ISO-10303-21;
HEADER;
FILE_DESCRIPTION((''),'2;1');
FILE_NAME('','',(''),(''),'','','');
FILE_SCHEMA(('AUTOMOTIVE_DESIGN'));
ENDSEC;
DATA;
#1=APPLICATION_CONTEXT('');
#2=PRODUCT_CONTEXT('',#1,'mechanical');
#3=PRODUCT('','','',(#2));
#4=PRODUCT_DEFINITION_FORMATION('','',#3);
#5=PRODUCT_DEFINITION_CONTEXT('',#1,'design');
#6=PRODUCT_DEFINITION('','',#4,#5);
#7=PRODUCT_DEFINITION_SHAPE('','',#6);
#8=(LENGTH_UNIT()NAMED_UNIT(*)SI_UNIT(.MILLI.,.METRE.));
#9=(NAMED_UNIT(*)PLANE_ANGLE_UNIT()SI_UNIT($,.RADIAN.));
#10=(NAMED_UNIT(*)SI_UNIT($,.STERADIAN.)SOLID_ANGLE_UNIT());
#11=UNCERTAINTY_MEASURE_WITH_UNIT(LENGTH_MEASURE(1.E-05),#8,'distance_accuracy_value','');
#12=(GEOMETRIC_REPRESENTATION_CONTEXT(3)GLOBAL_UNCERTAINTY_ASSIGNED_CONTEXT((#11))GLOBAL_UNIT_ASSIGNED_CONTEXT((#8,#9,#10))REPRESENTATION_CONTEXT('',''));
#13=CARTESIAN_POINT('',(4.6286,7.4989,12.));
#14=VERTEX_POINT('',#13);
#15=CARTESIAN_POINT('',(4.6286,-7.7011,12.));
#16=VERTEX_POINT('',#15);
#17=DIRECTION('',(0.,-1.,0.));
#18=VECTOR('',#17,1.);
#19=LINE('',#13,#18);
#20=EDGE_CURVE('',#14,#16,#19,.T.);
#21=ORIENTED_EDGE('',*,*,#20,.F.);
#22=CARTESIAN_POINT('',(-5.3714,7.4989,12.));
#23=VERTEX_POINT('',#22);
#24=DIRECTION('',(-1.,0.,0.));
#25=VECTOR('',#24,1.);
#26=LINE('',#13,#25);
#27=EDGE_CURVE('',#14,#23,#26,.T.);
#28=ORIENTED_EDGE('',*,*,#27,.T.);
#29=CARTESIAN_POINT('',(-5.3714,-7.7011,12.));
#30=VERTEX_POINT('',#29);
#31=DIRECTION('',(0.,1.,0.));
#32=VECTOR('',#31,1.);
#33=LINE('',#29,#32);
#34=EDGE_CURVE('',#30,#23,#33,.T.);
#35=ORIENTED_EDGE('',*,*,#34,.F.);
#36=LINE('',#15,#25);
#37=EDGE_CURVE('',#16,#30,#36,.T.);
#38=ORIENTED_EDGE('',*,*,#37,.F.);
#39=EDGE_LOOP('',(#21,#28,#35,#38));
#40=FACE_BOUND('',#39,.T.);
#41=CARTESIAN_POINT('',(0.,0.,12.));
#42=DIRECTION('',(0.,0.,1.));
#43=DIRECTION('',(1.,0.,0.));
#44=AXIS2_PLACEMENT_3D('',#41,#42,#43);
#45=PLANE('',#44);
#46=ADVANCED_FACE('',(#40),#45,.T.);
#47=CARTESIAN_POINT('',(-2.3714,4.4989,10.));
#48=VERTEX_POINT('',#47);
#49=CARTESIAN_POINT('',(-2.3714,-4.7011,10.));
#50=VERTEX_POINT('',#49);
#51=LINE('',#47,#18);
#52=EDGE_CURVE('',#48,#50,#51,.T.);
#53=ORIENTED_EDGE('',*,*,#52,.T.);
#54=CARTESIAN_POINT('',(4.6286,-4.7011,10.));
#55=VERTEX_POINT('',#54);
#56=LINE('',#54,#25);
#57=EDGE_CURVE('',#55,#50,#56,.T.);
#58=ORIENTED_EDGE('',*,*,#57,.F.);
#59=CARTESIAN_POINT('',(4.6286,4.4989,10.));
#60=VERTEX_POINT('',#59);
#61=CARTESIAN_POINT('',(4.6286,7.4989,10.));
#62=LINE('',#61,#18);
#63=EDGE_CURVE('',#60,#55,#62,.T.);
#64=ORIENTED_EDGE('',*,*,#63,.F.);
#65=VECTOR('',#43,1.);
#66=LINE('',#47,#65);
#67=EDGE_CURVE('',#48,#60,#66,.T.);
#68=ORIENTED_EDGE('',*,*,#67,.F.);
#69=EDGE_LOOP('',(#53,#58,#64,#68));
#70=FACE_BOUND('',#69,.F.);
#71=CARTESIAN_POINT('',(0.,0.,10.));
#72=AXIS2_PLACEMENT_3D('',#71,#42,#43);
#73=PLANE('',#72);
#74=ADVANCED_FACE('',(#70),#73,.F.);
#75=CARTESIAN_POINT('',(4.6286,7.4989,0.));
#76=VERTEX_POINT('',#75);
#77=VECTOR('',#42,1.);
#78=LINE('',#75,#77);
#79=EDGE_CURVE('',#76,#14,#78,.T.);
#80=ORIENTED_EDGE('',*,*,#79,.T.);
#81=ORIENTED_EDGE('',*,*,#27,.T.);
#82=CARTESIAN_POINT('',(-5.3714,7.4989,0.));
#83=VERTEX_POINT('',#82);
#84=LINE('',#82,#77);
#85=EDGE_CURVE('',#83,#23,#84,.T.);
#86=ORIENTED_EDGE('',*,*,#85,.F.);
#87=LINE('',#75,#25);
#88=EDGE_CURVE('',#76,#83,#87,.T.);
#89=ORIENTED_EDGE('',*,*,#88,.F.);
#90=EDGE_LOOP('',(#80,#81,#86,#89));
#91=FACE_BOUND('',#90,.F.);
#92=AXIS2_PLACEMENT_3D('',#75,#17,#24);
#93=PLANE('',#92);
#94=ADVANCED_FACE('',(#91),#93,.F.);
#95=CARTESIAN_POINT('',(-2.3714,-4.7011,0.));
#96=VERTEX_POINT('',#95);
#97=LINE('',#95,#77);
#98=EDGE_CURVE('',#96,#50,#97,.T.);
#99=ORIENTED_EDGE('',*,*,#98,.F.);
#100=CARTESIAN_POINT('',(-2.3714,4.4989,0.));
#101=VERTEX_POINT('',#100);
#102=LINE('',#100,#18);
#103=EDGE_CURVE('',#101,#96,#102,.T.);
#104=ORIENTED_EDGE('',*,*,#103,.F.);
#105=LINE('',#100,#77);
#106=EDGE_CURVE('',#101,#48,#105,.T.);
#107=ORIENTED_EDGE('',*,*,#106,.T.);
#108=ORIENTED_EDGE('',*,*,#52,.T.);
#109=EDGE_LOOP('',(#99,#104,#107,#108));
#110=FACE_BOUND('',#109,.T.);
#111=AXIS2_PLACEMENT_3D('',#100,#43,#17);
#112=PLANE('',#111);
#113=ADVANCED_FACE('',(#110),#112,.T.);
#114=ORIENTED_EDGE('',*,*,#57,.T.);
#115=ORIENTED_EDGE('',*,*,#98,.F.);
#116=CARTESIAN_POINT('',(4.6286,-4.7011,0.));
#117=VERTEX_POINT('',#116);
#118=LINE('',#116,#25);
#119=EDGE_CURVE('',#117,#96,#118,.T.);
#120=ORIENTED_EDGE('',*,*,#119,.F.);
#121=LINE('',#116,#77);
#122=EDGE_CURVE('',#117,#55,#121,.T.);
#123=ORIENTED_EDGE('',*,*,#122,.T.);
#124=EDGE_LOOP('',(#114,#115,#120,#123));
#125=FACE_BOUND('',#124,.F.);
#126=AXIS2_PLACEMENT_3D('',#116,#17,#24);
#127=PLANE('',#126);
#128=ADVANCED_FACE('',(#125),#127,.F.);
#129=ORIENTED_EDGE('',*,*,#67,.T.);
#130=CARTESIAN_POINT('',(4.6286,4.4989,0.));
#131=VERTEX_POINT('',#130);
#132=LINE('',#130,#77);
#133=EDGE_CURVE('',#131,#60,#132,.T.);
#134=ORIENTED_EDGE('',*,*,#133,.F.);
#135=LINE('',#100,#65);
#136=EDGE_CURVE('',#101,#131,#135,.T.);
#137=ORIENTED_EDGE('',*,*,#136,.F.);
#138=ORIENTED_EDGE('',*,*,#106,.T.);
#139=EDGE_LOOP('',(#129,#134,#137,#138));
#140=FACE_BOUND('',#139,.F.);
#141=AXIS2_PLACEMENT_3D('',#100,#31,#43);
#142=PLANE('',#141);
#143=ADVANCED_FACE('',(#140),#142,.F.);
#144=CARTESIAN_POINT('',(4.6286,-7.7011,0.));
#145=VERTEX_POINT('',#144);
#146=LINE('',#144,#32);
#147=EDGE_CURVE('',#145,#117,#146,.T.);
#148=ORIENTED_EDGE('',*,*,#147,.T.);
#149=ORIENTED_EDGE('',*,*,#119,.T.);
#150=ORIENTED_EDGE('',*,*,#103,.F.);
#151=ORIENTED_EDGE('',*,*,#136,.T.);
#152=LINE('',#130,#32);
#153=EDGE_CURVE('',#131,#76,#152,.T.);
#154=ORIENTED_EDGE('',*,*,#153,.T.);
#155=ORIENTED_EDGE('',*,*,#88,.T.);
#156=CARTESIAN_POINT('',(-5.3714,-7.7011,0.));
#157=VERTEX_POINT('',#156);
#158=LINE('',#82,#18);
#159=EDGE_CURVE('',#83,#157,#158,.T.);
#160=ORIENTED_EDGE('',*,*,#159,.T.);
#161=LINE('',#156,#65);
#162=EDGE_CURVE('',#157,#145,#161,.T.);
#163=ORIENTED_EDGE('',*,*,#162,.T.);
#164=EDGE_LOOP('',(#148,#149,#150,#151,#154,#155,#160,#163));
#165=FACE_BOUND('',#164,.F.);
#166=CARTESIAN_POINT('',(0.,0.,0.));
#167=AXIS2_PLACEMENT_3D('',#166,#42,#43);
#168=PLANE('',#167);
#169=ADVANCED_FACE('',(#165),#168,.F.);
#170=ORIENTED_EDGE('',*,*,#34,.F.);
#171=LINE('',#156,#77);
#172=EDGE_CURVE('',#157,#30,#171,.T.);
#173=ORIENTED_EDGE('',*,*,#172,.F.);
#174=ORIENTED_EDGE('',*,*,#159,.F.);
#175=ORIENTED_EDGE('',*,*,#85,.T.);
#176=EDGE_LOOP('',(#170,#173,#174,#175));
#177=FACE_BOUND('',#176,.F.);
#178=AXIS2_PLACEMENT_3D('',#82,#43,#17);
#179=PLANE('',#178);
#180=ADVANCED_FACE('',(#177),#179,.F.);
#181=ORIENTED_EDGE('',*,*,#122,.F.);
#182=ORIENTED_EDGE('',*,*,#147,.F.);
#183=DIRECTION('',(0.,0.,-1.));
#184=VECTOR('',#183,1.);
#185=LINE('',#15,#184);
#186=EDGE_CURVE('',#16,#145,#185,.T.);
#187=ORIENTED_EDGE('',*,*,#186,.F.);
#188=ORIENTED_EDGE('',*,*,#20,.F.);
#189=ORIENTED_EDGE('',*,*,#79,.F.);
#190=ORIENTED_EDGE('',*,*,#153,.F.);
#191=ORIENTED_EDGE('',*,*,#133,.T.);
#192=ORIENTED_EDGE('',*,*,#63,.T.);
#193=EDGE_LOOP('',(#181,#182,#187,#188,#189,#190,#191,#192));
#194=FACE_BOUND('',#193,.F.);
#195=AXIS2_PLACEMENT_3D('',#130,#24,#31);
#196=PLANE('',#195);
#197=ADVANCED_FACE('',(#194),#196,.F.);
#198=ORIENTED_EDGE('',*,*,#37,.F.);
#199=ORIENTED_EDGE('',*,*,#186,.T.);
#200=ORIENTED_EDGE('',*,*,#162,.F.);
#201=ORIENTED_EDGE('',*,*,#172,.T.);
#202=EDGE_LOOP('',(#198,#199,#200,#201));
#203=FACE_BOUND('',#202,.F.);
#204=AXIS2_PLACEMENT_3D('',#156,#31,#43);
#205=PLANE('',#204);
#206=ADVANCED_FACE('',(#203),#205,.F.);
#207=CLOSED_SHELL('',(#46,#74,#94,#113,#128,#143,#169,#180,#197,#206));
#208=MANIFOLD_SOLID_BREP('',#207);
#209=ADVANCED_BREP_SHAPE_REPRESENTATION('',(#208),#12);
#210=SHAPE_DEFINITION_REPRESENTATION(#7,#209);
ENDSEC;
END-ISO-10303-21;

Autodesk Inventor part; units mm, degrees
ref_plane "YZ Plane" through (0, 0, 0) normal (1, 0, 0) x (0, 1, 0)
ref_plane "XZ Plane" through (0, 0, 0) normal (0, 1, 0) x (-1, 0, 0)
ref_plane "XY Plane" through (0, 0, 0) normal (0, 0, 1) x (1, 0, 0)
sketch "Эскиз1" plane through (0, 0, 0) normal (0, 0, 1) x (1, 0, 0)
  line L0 (4.6286, 7.4989) -> (-5.3714, 7.4989)
  line L1 (-5.3714, 7.4989) -> (-5.3714, -7.7011)
  line L2 (-5.3714, -7.7011) -> (4.6286, -7.7011)
  line L3 (4.6286, -7.7011) -> (4.6286, -4.7011)
  line L4 (4.6286, -4.7011) -> (-2.3714, -4.7011)
  line L5 (-2.3714, 4.4989) -> (4.6286, 4.4989)
  line L6 (4.6286, 4.4989) -> (4.6286, 7.4989)
  line L7 (-2.3714, 4.4989) -> (-2.3714, -4.7011)
  point P0 (0, 0)
  dimension "d1" = 9.2
  dimension "d2" = 3
  dimension "d3" = 3
  dimension "d4" = 3
  dimension "d7" = 10
extrude "Выдавливание1" add sketch "Эскиз1" along normal blind 10
sketch "Эскиз3" plane through (0, 0, 10) normal (0, 0, 1) x (1, 0, 0)
  line L0 (4.6286, 7.4989) -> (-5.3714, 7.4989) projected
  line L1 (4.6286, -7.7011) -> (4.6286, -4.7011) projected
  line L2 (-5.3714, 7.4989) -> (4.6286, 7.4989)
  line L3 (4.6286, 7.4989) -> (4.6286, -7.7011)
  line L4 (4.6286, -7.7011) -> (-5.3714, -7.7011)
  line L5 (-5.3714, -7.7011) -> (-5.3714, 7.4989)
  point P0 (0, 0)
  point P1 (4.6286, 7.4989)
extrude "Выдавливание3" add sketch "Эскиз3" along normal blind 2
properties part number "ограничитель"
